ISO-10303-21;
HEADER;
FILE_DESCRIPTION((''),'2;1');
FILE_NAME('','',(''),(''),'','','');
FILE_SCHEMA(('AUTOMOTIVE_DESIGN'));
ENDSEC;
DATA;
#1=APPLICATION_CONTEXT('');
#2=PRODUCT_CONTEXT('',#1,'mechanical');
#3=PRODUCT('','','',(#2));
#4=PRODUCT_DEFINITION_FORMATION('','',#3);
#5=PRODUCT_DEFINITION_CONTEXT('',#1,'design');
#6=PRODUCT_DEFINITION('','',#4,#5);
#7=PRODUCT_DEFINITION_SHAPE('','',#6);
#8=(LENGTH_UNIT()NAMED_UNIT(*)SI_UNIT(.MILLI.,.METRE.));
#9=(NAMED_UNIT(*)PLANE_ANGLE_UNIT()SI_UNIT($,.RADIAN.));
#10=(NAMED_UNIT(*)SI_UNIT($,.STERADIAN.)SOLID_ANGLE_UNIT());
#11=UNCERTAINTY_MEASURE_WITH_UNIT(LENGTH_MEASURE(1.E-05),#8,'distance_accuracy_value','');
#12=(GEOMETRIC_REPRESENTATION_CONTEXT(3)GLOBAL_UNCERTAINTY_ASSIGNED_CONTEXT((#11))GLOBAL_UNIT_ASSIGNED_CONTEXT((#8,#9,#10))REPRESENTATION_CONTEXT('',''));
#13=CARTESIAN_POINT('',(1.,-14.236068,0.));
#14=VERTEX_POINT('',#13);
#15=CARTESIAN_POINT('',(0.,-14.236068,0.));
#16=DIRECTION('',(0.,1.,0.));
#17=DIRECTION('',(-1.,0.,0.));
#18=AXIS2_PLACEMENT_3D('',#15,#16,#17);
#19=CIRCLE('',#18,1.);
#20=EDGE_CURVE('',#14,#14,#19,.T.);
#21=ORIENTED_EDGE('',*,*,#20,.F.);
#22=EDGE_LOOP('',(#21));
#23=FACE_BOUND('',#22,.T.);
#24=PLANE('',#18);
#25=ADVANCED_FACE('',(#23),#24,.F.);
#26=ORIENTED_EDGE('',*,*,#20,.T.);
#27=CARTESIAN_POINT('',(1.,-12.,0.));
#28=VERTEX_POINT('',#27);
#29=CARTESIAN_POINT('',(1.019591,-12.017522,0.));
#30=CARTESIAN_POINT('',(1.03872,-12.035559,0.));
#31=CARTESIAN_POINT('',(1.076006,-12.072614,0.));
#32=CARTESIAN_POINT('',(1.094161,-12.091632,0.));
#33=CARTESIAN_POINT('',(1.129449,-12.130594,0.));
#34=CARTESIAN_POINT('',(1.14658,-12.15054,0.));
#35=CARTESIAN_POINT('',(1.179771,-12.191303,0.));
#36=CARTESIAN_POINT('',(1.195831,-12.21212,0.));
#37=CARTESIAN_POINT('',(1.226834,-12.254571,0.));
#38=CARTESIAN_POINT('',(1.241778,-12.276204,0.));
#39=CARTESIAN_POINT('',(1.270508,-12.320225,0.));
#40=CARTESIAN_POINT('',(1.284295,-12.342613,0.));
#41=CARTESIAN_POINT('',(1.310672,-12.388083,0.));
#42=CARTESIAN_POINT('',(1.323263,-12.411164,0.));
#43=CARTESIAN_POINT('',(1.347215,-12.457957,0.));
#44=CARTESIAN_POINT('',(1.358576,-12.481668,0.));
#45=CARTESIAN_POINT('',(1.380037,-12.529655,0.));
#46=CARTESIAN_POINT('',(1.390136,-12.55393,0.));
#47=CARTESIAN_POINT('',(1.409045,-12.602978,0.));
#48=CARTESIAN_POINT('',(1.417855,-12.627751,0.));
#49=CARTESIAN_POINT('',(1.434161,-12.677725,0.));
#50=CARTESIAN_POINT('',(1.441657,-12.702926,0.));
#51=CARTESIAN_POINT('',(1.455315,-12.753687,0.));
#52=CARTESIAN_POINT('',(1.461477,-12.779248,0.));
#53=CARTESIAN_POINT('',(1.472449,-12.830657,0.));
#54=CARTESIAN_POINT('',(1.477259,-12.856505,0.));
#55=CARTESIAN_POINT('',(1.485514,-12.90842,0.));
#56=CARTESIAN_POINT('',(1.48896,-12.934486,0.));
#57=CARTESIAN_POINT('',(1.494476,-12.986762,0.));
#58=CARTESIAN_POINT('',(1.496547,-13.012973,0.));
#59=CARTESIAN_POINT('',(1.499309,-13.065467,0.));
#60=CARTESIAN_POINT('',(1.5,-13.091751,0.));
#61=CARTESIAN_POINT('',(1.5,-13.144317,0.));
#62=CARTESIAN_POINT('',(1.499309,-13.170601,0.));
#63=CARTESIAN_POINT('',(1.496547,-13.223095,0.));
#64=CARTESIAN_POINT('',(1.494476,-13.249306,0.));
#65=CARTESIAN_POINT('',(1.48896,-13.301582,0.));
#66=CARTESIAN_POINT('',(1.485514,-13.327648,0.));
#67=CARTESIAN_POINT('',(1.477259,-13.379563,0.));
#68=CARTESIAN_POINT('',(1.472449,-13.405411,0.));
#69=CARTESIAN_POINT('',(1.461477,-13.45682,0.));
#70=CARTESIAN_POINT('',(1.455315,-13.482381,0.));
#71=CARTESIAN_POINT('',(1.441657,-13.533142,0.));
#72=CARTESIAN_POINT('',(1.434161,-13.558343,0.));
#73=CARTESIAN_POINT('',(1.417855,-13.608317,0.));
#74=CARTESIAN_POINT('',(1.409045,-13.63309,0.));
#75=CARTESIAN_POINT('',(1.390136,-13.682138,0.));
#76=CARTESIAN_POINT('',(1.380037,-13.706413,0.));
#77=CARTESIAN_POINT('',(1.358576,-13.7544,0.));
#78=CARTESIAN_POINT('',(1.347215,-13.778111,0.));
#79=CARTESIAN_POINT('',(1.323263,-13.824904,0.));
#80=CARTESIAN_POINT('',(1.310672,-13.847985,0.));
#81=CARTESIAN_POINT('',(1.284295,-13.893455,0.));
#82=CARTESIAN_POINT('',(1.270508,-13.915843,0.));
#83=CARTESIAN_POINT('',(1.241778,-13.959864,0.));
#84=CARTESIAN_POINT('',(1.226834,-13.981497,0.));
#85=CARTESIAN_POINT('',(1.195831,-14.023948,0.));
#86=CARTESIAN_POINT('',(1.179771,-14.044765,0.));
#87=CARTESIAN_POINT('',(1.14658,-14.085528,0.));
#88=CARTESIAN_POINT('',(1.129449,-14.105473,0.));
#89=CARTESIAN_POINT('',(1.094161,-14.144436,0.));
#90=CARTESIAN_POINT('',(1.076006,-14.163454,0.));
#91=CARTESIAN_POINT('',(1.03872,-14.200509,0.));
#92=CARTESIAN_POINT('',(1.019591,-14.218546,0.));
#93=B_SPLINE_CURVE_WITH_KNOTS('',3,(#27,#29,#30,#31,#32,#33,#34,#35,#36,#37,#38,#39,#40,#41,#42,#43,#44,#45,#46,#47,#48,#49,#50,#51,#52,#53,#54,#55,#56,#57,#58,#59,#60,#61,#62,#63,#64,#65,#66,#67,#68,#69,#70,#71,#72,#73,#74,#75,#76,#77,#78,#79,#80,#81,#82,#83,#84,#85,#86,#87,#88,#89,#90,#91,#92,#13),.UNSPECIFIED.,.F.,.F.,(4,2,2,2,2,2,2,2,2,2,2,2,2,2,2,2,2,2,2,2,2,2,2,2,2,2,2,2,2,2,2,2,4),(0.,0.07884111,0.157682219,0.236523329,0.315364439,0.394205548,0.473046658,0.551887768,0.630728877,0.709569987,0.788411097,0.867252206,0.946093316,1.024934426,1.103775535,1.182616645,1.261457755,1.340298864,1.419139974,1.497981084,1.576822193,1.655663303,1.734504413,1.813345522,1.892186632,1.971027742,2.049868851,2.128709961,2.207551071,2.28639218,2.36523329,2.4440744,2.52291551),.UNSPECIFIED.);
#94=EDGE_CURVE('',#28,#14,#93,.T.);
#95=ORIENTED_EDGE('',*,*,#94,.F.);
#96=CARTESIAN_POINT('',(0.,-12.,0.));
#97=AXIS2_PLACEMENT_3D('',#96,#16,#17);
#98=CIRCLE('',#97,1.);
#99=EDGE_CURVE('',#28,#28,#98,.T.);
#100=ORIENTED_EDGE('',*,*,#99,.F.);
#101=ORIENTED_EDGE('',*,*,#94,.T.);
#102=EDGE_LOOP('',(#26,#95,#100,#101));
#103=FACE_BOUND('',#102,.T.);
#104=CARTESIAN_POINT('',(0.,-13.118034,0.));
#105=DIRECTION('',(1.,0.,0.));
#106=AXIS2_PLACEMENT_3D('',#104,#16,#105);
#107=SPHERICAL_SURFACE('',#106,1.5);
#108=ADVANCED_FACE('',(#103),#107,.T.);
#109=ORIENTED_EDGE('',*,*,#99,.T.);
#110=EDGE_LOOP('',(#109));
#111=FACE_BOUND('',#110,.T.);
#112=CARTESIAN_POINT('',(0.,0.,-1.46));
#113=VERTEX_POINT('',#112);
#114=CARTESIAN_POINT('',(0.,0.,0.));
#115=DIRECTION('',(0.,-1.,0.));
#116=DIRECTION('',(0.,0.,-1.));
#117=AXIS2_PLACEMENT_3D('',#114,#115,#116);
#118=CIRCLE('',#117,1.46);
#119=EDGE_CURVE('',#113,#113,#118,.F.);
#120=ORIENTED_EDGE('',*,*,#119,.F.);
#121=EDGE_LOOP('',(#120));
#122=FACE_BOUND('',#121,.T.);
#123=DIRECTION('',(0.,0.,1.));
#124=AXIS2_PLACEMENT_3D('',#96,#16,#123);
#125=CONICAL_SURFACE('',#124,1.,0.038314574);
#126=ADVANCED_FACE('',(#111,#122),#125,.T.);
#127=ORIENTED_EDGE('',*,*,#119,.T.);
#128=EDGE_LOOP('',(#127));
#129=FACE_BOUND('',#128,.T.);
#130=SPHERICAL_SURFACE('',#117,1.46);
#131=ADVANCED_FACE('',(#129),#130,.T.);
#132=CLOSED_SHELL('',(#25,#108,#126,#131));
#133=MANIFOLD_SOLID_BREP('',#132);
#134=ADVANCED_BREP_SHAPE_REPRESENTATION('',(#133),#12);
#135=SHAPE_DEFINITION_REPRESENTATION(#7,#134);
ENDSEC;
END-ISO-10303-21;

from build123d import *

# Parameters (mm, degrees)
SKETCH1_R         = 1.46
SKETCH2_R         = 1
DOME1_FACE_RADIUS = 1.46
DOME1_HEIGHT      = 1.46


with BuildPart() as part:
    # Sketch1 → Loft1 section 0
    with BuildSketch(Plane(origin=(0, 0, 0), x_dir=(1, 0, 0), z_dir=(0, 1, 0))):
        Circle(SKETCH1_R)
    # Sketch2 → Loft1 section 1
    with BuildSketch(Plane(origin=(0, -12, 0), x_dir=(1, 0, 0), z_dir=(0, 1, 0))):
        Circle(SKETCH2_R)
    loft()

    # Dome1: a dome of height H over a round flat face of radius A is a cap of a sphere of radius (A * A + H * H) / (2 * H)
    dome1_r = (DOME1_FACE_RADIUS * DOME1_FACE_RADIUS + DOME1_HEIGHT * DOME1_HEIGHT) / (2 * DOME1_HEIGHT)
    dome1_base = Plane((0, 0, 0), z_dir=(0, 1, 0))
    with Locations(dome1_base.offset(DOME1_HEIGHT - dome1_r)):
        dome1_ball = Sphere(dome1_r, mode=Mode.PRIVATE)
    add(split(dome1_ball, bisect_by=dome1_base, keep=Keep.TOP, mode=Mode.PRIVATE))

    # Sketch3 → Revolve3 (revolve)
    with BuildSketch(Plane.XY, mode=Mode.PRIVATE) as revolve3_sk:
        with BuildLine():
            Line((0, -12), (0, -14.236067977))
            Line((0, -14.236067977), (1, -14.236067977))
            ThreePointArc((1, -14.236067977), (1.5, -13.118033989), (1, -12))
            Line((1, -12), (0, -12))
        make_face()
    revolve(revolve3_sk.sketch.rotate(Axis((0, -12, 0), (0, -1, 0)), 270), axis=Axis((0, -12, 0), (0, -1, 0)))


solid = part.part
